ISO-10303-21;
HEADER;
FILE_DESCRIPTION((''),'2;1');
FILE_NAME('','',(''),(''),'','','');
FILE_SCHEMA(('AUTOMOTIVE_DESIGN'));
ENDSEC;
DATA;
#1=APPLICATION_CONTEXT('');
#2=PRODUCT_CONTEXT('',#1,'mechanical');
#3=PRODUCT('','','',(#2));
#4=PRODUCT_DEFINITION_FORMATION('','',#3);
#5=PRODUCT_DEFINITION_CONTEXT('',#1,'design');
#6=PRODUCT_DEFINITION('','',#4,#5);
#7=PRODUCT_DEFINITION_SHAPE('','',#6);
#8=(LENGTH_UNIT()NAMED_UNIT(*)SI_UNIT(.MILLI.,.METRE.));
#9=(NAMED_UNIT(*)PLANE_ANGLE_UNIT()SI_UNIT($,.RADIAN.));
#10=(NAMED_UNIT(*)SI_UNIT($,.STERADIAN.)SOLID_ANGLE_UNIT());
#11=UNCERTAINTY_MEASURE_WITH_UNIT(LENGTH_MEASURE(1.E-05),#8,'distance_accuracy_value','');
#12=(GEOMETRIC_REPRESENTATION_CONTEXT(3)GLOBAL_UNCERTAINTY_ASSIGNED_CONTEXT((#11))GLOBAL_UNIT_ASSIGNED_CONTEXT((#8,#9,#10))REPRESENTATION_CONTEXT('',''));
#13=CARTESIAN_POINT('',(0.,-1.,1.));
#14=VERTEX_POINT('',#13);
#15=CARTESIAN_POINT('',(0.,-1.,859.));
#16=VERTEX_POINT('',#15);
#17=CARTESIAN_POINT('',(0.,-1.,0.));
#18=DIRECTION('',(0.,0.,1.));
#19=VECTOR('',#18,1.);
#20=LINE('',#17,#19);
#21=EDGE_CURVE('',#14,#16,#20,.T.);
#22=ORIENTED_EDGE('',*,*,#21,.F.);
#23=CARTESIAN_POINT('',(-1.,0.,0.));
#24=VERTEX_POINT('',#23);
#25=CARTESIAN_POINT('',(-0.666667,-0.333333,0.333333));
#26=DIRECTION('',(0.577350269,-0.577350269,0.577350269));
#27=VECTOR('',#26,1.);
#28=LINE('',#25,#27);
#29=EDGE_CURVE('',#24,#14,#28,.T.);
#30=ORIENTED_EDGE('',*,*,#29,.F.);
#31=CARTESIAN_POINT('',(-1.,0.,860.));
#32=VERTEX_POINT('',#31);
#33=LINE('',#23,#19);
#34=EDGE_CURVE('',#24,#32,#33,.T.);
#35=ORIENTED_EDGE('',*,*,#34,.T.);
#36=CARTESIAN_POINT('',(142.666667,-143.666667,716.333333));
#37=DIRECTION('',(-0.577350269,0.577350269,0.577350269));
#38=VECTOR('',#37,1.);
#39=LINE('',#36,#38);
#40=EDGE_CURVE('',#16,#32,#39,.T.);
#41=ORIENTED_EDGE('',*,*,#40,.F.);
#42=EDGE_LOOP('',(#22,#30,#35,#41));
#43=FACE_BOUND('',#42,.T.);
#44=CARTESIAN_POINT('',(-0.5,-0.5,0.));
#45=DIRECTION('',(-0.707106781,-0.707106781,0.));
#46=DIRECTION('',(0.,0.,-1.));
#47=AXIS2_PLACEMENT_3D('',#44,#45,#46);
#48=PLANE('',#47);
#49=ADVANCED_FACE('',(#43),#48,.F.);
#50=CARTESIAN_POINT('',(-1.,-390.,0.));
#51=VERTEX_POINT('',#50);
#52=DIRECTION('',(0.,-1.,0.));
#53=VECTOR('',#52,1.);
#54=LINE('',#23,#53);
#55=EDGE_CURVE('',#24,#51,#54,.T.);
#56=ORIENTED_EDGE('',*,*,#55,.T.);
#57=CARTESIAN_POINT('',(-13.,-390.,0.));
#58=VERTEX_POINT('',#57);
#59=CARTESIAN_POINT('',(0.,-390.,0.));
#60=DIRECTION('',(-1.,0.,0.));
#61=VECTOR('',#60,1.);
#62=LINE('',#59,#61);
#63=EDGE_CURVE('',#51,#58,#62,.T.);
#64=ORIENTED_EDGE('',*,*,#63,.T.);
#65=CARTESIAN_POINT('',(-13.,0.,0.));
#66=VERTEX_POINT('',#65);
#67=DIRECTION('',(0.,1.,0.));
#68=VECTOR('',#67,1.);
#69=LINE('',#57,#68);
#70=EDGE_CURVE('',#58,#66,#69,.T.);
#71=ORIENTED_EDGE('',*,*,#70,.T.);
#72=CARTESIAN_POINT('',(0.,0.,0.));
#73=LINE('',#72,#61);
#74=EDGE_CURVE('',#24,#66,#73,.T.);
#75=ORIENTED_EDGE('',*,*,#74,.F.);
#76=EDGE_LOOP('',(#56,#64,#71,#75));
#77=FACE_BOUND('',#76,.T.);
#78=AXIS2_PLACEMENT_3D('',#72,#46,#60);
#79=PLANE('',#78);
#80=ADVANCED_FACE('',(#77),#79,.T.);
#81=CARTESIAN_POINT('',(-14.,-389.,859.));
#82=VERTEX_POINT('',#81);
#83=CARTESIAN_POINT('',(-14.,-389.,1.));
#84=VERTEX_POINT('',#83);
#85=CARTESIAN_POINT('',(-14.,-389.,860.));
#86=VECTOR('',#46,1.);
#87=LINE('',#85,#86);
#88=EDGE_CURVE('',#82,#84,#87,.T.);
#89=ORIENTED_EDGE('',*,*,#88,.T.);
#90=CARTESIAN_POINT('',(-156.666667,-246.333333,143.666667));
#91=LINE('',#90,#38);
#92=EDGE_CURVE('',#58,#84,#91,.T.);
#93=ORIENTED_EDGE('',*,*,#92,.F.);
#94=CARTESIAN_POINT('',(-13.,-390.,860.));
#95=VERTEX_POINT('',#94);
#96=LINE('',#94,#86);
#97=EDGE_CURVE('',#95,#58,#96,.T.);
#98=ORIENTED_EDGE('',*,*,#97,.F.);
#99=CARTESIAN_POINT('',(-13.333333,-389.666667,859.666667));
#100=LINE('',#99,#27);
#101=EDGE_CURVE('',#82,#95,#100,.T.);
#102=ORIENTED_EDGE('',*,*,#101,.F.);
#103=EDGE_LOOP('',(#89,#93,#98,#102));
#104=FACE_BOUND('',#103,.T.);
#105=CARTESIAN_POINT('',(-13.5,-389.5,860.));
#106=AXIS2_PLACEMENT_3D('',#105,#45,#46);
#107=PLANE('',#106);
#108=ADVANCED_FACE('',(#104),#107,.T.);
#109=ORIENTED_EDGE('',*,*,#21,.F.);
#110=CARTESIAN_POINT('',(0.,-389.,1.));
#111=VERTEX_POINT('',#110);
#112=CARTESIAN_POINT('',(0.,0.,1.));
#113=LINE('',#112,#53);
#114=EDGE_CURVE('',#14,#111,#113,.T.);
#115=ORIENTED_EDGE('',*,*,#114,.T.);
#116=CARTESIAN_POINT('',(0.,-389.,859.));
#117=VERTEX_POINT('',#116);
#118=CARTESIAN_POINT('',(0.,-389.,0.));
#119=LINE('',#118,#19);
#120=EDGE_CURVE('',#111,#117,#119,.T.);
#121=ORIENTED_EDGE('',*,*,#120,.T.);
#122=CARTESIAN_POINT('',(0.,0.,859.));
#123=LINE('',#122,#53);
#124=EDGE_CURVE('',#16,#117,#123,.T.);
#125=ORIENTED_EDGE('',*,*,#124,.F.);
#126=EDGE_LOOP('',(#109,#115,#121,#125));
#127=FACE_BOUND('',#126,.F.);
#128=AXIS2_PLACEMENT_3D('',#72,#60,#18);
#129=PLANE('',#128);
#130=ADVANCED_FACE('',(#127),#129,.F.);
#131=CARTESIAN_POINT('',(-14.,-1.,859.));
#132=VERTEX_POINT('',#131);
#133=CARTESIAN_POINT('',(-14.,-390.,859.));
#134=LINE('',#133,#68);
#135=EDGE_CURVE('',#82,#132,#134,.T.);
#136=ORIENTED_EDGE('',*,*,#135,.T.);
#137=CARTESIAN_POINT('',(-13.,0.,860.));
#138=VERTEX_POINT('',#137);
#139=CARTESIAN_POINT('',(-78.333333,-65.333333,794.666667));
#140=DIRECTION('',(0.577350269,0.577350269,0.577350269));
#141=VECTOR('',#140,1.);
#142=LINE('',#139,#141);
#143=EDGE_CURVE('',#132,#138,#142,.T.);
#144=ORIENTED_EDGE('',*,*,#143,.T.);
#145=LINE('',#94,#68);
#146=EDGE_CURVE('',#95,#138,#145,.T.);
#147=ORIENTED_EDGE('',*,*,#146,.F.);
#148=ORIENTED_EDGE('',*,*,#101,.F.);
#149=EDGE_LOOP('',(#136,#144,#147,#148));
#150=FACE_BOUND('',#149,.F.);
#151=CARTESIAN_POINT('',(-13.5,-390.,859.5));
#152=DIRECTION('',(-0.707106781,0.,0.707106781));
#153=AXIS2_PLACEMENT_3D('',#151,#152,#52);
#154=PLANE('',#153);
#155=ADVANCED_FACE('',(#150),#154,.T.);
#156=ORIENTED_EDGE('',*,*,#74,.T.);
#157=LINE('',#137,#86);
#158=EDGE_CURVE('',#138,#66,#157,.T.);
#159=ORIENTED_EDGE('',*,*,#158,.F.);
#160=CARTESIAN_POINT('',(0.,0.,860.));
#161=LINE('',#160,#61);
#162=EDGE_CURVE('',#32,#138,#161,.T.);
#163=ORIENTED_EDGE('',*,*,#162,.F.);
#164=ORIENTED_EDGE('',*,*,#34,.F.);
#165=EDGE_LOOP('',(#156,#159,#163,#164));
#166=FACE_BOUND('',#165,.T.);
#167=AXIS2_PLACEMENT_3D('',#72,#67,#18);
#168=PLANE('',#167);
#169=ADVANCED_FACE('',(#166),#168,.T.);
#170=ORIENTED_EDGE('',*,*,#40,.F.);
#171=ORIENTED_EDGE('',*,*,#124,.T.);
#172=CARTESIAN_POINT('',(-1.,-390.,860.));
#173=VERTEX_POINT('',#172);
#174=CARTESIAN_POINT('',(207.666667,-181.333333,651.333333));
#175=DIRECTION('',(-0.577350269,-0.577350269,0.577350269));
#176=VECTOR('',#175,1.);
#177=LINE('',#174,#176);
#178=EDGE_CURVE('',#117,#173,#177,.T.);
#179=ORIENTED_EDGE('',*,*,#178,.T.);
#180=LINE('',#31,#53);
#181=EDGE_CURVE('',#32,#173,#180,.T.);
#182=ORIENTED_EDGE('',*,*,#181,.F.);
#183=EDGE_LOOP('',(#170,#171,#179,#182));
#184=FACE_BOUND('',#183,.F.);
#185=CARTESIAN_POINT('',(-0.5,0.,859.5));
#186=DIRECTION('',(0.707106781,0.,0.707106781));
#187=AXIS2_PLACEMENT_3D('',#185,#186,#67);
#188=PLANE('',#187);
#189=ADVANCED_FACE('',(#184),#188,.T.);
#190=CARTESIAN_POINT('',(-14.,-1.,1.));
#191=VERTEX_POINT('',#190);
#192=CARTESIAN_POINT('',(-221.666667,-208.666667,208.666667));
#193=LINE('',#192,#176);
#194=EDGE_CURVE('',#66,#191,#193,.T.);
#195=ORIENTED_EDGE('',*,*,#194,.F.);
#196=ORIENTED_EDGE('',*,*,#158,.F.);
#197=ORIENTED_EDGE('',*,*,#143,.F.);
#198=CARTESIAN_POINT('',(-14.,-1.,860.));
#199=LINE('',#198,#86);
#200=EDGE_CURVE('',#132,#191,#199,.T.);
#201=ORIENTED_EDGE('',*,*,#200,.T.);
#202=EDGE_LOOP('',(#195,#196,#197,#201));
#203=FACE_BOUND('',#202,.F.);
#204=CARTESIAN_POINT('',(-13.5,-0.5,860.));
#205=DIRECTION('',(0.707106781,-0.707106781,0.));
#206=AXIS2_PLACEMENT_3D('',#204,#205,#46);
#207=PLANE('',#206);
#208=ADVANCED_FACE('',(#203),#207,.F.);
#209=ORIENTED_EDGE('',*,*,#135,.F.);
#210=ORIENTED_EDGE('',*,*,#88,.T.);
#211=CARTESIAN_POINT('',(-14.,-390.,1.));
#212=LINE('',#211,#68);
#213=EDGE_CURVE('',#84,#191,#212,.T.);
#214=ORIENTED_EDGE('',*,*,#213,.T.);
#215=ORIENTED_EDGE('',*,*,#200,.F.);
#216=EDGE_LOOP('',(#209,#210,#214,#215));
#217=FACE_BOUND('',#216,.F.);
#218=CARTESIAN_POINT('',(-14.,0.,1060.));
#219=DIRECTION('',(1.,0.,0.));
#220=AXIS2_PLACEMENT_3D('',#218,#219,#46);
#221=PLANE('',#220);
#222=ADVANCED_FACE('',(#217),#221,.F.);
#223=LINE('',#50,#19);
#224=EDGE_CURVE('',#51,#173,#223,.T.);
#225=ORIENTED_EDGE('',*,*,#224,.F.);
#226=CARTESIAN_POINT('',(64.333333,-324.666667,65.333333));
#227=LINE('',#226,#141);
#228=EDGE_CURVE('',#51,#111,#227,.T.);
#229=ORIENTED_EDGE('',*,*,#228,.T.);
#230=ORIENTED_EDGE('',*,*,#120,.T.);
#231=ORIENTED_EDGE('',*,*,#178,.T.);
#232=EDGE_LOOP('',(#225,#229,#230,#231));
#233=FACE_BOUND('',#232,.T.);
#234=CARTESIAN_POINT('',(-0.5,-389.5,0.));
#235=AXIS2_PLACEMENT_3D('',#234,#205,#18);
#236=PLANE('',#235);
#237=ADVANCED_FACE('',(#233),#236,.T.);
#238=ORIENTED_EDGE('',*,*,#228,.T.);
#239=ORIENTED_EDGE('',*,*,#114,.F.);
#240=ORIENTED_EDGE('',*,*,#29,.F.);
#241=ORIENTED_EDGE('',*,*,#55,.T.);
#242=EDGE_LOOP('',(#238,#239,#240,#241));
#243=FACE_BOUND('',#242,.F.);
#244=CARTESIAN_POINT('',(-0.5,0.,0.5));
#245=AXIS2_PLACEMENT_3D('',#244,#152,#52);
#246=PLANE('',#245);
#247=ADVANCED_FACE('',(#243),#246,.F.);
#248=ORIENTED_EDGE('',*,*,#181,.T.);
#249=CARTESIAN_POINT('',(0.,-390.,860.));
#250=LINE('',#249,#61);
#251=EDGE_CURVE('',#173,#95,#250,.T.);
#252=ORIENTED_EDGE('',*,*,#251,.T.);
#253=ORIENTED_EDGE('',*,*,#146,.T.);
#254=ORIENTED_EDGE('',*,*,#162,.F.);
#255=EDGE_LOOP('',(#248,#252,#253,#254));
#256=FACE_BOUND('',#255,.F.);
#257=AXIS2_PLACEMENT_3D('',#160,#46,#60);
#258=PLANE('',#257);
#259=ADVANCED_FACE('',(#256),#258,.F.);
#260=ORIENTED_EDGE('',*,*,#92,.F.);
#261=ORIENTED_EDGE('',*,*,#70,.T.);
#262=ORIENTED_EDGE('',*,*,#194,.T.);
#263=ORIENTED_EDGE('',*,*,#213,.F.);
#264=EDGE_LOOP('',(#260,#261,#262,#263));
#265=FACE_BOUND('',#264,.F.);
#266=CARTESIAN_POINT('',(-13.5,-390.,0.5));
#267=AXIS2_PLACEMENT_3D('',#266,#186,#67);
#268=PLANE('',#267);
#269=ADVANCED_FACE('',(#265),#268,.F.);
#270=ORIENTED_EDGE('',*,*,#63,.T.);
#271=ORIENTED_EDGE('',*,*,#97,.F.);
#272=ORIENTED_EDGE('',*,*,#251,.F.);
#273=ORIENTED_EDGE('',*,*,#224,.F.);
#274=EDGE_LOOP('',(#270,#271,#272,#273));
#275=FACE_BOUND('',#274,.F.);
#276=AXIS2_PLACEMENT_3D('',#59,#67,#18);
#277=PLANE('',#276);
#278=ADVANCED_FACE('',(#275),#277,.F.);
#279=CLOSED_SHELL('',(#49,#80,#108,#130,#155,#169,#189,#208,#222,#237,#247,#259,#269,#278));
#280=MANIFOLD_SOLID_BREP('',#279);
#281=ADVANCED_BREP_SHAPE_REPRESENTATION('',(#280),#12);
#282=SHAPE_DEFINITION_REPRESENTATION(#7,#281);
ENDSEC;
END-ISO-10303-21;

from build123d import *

# Parameters (mm, degrees)
F0_W     = 55.4160475731
F0_H     = 42.9720431566
F1_DEPTH = 14
F2_DEPTH = 1060
F3_DEPTH = 390
F4_DEPTH = 200
F5_SIZE  = 1


with BuildPart() as f1:
    # F0 (on Right) → F1 (new body)
    with BuildSketch(Plane.YZ):
        with Locations((-27.7080237865, 21.4860215783)):
            Rectangle(F0_W, F0_H)
    extrude(amount=-F1_DEPTH)

    # F2 (add): a face of the model
    f2_faces = [f1.faces().sort_by_distance(p)[0] for p in [
        (-7, -27.7080237865, 0),
    ]]
    extrude(f2_faces, amount=-F2_DEPTH)

    # F3 (add): a face of the model
    f3_faces = [f1.faces().sort_by_distance(p)[0] for p in [
        (-7, 0, 530),
    ]]
    extrude(f3_faces, amount=-F3_DEPTH)

    # F4 (cut): a face of the model
    f4_faces = [f1.faces().sort_by_distance(p)[0] for p in [
        (-7, -195, 1060),
    ]]
    extrude(f4_faces, amount=-F4_DEPTH, mode=Mode.SUBTRACT)

    # F5
    f5_edges = [f1.edges().sort_by_distance(p)[0] for p in [
        (0, -195, 0),
        (0, -390, 430),
        (0, -195, 860),
        (0, 0, 430),
        (-14, -195, 0),
        (-14, -390, 430),
        (-14, -195, 860),
        (-14, 0, 430),
    ]]
    chamfer(f5_edges, length=F5_SIZE)


solid = f1.part
